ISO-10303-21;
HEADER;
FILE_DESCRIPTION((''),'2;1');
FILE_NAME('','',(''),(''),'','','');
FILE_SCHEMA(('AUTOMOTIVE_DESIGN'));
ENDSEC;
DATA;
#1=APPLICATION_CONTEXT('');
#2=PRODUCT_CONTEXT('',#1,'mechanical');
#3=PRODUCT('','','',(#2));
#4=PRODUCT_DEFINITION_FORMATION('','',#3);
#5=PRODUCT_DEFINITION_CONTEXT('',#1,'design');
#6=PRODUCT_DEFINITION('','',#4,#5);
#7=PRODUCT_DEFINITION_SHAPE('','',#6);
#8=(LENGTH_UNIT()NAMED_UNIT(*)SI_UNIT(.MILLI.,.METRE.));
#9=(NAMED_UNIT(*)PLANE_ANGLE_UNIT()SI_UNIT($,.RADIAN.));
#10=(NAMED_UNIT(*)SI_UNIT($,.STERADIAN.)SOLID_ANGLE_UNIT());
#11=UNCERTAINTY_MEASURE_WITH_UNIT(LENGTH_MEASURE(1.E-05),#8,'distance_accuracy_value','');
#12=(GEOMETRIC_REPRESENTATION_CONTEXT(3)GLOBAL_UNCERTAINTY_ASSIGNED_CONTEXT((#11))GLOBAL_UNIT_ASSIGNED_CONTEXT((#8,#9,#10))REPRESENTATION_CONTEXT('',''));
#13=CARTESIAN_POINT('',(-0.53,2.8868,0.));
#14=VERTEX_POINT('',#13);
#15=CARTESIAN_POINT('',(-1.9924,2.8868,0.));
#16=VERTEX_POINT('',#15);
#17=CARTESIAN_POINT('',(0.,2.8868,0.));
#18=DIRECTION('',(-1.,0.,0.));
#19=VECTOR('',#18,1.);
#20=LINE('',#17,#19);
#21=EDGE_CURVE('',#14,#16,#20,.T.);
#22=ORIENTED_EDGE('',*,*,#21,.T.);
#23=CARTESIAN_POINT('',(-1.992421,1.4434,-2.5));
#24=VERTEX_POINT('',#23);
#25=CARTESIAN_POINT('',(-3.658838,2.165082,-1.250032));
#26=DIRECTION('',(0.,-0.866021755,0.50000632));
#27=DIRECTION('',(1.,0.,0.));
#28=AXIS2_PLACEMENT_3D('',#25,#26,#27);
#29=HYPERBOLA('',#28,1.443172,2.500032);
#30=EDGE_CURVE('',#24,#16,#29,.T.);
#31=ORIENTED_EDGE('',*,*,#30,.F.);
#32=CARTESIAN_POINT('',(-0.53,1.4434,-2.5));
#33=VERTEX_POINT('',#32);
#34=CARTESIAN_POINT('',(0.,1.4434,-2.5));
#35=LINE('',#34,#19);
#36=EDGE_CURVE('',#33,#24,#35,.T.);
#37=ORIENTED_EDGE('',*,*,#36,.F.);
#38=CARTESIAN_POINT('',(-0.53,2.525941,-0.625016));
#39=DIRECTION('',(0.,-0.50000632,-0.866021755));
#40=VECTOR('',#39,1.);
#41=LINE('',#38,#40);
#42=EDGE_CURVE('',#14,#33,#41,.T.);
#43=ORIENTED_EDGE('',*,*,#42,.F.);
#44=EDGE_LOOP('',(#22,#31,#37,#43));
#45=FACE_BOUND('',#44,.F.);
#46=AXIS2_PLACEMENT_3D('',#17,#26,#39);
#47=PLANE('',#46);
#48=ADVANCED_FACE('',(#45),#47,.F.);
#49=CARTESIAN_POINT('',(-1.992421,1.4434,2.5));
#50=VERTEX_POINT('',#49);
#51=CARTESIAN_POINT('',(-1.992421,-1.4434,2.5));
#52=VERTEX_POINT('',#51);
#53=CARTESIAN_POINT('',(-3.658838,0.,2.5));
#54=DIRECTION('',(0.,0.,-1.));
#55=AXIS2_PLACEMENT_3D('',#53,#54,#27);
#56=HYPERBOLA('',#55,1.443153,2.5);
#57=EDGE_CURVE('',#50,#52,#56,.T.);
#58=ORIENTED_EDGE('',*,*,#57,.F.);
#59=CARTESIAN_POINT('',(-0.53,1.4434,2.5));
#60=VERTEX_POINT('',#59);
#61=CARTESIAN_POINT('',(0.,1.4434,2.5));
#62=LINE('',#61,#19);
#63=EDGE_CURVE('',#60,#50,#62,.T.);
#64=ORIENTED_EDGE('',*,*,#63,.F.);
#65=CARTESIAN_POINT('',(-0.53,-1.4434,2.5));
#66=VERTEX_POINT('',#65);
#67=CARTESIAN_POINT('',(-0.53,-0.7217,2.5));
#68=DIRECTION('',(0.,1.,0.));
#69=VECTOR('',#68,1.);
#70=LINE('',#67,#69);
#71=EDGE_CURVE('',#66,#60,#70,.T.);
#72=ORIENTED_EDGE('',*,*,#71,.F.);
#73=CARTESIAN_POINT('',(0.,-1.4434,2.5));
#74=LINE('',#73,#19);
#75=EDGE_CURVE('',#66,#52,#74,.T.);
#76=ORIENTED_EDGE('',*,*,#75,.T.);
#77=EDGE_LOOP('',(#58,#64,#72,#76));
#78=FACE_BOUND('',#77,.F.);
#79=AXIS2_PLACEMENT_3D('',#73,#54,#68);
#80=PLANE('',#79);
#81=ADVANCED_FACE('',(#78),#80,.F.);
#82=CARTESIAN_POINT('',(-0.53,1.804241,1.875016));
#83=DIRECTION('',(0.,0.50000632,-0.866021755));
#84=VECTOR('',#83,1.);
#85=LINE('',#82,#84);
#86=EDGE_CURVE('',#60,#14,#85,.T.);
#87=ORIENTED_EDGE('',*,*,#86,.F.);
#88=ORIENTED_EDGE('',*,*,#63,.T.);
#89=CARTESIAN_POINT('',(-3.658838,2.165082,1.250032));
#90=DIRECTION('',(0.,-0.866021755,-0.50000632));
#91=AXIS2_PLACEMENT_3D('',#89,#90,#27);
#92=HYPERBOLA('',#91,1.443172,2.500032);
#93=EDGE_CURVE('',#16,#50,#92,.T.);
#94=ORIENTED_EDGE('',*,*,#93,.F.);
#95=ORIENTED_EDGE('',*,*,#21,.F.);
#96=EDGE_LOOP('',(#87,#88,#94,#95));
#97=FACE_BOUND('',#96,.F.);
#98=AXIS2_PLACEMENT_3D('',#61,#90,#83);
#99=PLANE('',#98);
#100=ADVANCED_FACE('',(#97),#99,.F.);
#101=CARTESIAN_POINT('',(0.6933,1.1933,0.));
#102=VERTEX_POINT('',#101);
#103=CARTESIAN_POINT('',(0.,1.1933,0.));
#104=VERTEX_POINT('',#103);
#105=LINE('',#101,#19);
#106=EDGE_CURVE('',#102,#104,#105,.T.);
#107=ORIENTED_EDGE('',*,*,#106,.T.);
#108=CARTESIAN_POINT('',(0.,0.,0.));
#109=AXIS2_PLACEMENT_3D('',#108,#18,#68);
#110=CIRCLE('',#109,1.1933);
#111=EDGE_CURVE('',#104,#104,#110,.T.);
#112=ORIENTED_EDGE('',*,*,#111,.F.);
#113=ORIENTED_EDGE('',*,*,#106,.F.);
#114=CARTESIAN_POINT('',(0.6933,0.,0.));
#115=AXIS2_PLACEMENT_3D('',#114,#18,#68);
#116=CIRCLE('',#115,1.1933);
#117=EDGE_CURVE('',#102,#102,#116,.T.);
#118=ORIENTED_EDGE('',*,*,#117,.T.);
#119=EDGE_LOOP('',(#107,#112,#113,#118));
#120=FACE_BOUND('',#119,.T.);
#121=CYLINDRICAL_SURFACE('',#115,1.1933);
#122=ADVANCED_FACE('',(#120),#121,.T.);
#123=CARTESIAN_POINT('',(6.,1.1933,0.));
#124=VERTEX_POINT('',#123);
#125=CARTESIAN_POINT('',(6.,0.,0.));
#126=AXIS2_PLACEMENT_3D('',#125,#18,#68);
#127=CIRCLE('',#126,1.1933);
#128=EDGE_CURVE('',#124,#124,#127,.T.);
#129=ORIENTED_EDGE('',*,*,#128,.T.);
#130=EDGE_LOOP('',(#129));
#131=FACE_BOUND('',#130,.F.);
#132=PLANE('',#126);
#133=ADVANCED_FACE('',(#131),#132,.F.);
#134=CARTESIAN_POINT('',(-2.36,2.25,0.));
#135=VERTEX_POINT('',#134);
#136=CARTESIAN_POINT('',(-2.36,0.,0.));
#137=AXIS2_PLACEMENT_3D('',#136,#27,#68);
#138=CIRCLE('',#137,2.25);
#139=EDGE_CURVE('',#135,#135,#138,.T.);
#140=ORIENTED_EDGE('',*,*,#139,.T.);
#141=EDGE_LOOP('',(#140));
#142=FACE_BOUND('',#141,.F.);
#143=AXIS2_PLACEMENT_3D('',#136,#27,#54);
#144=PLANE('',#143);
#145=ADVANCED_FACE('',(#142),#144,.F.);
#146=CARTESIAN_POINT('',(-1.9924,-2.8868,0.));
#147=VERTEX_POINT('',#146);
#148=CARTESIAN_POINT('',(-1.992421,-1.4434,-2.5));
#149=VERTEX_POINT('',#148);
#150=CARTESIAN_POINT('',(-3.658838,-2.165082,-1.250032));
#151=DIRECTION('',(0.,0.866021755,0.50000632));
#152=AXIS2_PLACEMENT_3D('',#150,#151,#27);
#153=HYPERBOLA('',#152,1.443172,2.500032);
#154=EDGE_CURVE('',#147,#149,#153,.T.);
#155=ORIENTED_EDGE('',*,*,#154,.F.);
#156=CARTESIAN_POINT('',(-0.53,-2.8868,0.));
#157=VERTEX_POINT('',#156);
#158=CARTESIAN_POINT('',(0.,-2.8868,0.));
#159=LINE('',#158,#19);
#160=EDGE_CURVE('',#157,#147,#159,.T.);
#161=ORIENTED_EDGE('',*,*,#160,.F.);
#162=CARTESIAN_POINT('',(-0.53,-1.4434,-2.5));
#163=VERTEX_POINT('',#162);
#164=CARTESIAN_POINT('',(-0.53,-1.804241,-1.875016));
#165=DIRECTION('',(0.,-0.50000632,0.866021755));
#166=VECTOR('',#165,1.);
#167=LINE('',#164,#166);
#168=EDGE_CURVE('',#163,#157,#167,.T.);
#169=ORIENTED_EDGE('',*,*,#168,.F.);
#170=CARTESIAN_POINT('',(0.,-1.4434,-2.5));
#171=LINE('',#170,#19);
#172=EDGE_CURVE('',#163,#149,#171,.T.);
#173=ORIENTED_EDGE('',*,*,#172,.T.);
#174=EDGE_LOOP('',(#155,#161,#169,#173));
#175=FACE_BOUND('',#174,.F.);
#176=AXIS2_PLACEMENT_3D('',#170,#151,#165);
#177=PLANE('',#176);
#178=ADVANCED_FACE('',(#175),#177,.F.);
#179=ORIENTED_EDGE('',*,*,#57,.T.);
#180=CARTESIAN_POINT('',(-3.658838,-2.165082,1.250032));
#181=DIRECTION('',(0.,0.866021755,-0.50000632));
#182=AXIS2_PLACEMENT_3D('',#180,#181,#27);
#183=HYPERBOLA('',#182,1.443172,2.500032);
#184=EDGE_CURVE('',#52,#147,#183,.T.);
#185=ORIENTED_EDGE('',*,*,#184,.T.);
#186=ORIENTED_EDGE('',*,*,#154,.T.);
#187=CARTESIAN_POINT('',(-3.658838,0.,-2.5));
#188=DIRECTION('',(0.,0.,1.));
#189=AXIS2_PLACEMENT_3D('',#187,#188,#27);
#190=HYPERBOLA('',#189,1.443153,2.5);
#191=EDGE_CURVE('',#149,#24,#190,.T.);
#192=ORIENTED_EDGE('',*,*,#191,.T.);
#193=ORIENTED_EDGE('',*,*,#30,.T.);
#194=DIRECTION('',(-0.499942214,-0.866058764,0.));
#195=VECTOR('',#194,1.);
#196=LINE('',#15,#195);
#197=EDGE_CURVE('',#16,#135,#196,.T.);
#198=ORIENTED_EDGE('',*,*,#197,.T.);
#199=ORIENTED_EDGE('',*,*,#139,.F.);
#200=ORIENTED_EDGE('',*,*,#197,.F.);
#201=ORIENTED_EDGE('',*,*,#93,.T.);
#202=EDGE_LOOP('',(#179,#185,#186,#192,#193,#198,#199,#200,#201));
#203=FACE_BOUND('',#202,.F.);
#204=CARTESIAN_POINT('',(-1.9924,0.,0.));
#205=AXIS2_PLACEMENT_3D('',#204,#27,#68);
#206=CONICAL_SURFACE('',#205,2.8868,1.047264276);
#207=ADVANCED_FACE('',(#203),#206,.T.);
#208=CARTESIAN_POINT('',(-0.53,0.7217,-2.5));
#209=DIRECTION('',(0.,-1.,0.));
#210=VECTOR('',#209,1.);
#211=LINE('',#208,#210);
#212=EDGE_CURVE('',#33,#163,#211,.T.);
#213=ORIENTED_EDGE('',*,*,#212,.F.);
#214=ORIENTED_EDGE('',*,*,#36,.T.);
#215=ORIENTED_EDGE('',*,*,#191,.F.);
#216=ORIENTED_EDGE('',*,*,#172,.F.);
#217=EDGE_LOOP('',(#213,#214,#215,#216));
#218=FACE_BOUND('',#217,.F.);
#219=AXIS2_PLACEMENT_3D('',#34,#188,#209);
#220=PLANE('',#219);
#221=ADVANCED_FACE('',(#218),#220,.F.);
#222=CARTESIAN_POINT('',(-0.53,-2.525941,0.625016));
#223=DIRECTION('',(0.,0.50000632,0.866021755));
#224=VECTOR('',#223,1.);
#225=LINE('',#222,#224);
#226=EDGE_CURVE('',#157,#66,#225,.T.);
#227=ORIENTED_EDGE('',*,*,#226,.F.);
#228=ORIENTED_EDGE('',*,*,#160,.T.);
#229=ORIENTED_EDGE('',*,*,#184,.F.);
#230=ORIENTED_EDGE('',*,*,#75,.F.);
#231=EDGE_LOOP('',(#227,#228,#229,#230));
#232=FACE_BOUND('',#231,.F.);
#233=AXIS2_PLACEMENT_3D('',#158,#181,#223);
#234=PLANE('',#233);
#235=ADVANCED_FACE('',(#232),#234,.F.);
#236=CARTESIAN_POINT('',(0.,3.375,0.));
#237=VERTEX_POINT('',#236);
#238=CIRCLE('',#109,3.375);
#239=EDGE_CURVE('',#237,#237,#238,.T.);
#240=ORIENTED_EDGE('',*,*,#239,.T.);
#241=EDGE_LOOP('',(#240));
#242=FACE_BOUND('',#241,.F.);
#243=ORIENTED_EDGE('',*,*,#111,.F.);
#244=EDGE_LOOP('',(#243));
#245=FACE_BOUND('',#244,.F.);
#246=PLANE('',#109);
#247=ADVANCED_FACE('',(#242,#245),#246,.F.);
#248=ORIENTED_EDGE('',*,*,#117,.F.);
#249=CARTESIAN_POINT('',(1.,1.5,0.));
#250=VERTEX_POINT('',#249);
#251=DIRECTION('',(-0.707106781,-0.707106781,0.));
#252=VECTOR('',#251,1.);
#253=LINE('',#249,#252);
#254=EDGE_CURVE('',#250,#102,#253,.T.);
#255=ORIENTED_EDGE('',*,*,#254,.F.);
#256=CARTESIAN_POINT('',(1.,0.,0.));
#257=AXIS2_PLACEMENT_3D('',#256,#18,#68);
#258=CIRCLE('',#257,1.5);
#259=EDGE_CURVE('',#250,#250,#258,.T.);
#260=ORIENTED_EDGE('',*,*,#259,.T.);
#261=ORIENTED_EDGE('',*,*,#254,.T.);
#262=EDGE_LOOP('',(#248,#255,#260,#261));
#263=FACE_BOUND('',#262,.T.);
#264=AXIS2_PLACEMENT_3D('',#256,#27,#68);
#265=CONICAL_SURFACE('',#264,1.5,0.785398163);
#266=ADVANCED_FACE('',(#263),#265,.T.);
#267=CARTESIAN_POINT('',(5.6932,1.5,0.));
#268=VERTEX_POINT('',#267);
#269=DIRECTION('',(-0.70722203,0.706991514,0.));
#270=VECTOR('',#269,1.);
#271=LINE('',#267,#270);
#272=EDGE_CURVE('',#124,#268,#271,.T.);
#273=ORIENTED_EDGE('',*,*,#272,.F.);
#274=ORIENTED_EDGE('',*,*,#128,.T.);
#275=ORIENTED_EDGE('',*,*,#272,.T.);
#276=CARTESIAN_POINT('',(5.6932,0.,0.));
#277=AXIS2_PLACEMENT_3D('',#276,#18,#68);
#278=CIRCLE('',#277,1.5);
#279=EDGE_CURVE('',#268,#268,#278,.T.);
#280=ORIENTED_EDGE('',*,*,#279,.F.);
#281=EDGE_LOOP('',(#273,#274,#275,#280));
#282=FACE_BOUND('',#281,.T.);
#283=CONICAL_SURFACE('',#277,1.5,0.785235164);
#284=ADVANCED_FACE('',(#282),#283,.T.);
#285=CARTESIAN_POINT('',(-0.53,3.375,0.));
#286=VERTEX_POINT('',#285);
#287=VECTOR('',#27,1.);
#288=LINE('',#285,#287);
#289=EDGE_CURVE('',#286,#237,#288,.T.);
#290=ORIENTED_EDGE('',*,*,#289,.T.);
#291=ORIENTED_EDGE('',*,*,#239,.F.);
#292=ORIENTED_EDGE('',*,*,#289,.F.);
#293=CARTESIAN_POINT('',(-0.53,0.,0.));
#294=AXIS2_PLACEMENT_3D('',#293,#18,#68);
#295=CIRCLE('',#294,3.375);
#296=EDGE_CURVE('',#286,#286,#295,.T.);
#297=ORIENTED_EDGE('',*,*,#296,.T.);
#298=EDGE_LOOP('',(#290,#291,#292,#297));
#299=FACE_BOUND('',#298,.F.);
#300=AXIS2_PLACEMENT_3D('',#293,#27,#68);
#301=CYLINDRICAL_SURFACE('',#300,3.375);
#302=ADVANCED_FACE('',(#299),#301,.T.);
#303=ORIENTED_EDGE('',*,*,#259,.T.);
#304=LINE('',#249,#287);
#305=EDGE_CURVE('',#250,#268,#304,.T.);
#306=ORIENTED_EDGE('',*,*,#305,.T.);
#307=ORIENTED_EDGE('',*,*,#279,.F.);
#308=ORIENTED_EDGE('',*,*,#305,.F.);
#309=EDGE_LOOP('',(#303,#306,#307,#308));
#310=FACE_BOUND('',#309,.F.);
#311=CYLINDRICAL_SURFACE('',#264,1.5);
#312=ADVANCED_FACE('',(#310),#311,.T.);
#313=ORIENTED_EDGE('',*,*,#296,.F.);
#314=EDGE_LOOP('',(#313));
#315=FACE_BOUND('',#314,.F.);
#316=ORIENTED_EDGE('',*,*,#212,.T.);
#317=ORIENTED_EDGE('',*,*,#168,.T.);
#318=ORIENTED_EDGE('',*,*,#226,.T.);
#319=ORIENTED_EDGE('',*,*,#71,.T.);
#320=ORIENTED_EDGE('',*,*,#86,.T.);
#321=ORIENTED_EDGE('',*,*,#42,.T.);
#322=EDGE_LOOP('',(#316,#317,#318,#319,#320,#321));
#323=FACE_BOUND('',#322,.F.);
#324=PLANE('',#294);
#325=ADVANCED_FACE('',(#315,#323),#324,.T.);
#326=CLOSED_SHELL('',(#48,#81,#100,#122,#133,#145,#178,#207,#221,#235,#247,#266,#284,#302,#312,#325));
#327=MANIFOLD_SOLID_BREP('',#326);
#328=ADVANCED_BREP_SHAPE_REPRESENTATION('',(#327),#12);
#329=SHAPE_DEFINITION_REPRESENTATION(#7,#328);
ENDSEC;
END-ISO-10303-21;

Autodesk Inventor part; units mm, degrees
ref_plane "YZ Plane" through (0, 0, 0) normal (1, 0, 0) x (0, 1, 0)
ref_plane "XZ Plane" through (0, 0, 0) normal (0, 1, 0) x (-1, 0, 0)
sketch "Sketch1" plane through (0, 0, 0) normal (0, 0, 1) x (1, 0, 0)
  line L0 (0, 3.375) -> (0, 1.1933)
  line L1 (1, 1.5) -> (6, 1.5)
  line L2 (6, 1.5) -> (6, 0)
  line L3 (6, 0) -> (-0.53, 0)
  line L4 (0, -0.675) -> (0, 4.05) projected
  line L5 (-1.836, 0) -> (7.306, 0) projected
  line L6 (-0.53, 0) -> (-0.53, 3.375)
  line L7 (-0.53, 3.375) -> (0, 3.375)
  line L8 (1, 1.5) -> (0.6933, 1.1933)
  line L9 (0.6933, 1.1933) -> (0, 1.1933)
  dimension "d0" = 6
  dimension "d1" = 5
  dimension "d2" = 3
  dimension "d8" = 0.53
  dimension "d9" = 6.75
  dimension "d15" = 2.3866
  dimension "d16" = 0.3067
revolve "Body" add sketch "Sketch1" angle 360 about axis through (6, 0, 0) along (-1, 0, 0)
sketch "Sketch2" plane through (0, 0, 0) normal (1, 0, 0) x (0, 0, -1)
  circle A0 centre (0, 0) radius 3.375 projected
  line L0 (0, 2.8868) -> (2.5, 1.4434)
  line L1 (2.5, 1.4434) -> (2.5, -1.4434)
  line L2 (2.5, -1.4434) -> (0, -2.8868)
  line L3 (0, -2.8868) -> (-2.5, -1.4434)
  line L4 (-2.5, -1.4434) -> (-2.5, 1.4434)
  line L5 (-2.5, 1.4434) -> (0, 2.8868)
  circle A1 centre (0, 0) radius 3.375 projected
  dimension "d10" = 5
extrude "Head" add sketch "Sketch2" against normal blind 2.36 contours L0 L1 L2 L3 L4 L5
sketch "Sketch3" plane through (0, 0, 0) normal (0, 0, 1) x (1, 0, 0)
  line L0 (-2.36, 2.25) -> (-2.36, 2.8868)
  line L1 (-2.36, 2.8868) -> (-1.9924, 2.8868)
  line L2 (-1.9924, 2.8868) -> (-2.36, 2.25)
  line L3 (-1.7645, 2.8868) -> (-2.36, 2.8868)
  line L4 (-2.36, 2.8868) -> (-2.36, 0.5774)
  line L5 (-0.53, 2.8868) -> (-2.36, 2.8868) projected
  line L6 (-2.36, 2.8868) -> (-2.36, 1.4434) projected
  line L7 (-2.726, 0) -> (-0.164, 0) projected
  dimension "d5" = 30
  dimension "d18" = 4.5
revolve "Chamfer1" cut sketch "Sketch3" angle 360 about axis through (-10, 0, 0) along (1, 0, 0)
thread "Thread" size "M3x0.5" class "6g" standard "ISO Metric profile" length 5
chamfer "Chamfer2" distance 0.3067 distance2 0.3068 1 edges at (6, -1.5, 0) measured on face at (6, -0.6587, 0.1791)
ref_plane "Work Plane1" through (3.5, 0, 0) normal (0, 0, 1) x (1, 0, 0)
equation "\"d0\" = NLG"
equation "\"d1\" = GEL"
equation "\"d2\" = GD"
equation "\"d8\" = PHH"
equation "\"d9\" = LADI"
equation "\"d15\" = BDM"
equation "\"d16\" = GAL"
equation "\"d10\" = SW"
equation "\"d3\" = KOH"
equation "\"d13\" = GEL"
equation "\"d6\" = -0.5 * SPD + 0.5 * GD"
equation "\"d5\" = ANG1"
equation "\"d18\" = SW0"
equation "\"NLG\" = 6"
equation "\"GD\" = NND"
equation "\"BDM\" = NND - 1.2269 * PTC"
equation "\"KOH\" = 2.36"
equation "\"GEL\" = 5"
equation "\"LADI\" = 6.75"
equation "\"SW\" = 5"
equation "\"PHH\" = 0.53"
equation "\"SW0\" = 4.5"
equation "\"SPD\" = NND - 1.2269 * PTC"
equation "\"ANG1\" = 30deg"
equation "\"GAL\" = 0.61345 * PTC"
equation "\"GUL\" = 0.61345 * PTC"
equation "\"WFT\" = PHH"
equation "\"PTC\" = 0.5"
equation "\"THREADDIA\" = 3"
equation "\"E0\" = 1.155 * SW"
equation "\"TOA\" = 30deg"
equation "\"NND\" = 3"
equation "\"GD1\" = THREADDIA - 1.2269 * PTC"
equation "\"SDH\" = 3.6"
equation "\"KOH1\" = 1.83"
equation "\"SD2\" = NND"
equation "\"SD\" = 0"
equation "\"RR\" = 0.1"
properties part number "AS 1427 - M3 X 6" material "Steel, High Strength Low Alloy"
